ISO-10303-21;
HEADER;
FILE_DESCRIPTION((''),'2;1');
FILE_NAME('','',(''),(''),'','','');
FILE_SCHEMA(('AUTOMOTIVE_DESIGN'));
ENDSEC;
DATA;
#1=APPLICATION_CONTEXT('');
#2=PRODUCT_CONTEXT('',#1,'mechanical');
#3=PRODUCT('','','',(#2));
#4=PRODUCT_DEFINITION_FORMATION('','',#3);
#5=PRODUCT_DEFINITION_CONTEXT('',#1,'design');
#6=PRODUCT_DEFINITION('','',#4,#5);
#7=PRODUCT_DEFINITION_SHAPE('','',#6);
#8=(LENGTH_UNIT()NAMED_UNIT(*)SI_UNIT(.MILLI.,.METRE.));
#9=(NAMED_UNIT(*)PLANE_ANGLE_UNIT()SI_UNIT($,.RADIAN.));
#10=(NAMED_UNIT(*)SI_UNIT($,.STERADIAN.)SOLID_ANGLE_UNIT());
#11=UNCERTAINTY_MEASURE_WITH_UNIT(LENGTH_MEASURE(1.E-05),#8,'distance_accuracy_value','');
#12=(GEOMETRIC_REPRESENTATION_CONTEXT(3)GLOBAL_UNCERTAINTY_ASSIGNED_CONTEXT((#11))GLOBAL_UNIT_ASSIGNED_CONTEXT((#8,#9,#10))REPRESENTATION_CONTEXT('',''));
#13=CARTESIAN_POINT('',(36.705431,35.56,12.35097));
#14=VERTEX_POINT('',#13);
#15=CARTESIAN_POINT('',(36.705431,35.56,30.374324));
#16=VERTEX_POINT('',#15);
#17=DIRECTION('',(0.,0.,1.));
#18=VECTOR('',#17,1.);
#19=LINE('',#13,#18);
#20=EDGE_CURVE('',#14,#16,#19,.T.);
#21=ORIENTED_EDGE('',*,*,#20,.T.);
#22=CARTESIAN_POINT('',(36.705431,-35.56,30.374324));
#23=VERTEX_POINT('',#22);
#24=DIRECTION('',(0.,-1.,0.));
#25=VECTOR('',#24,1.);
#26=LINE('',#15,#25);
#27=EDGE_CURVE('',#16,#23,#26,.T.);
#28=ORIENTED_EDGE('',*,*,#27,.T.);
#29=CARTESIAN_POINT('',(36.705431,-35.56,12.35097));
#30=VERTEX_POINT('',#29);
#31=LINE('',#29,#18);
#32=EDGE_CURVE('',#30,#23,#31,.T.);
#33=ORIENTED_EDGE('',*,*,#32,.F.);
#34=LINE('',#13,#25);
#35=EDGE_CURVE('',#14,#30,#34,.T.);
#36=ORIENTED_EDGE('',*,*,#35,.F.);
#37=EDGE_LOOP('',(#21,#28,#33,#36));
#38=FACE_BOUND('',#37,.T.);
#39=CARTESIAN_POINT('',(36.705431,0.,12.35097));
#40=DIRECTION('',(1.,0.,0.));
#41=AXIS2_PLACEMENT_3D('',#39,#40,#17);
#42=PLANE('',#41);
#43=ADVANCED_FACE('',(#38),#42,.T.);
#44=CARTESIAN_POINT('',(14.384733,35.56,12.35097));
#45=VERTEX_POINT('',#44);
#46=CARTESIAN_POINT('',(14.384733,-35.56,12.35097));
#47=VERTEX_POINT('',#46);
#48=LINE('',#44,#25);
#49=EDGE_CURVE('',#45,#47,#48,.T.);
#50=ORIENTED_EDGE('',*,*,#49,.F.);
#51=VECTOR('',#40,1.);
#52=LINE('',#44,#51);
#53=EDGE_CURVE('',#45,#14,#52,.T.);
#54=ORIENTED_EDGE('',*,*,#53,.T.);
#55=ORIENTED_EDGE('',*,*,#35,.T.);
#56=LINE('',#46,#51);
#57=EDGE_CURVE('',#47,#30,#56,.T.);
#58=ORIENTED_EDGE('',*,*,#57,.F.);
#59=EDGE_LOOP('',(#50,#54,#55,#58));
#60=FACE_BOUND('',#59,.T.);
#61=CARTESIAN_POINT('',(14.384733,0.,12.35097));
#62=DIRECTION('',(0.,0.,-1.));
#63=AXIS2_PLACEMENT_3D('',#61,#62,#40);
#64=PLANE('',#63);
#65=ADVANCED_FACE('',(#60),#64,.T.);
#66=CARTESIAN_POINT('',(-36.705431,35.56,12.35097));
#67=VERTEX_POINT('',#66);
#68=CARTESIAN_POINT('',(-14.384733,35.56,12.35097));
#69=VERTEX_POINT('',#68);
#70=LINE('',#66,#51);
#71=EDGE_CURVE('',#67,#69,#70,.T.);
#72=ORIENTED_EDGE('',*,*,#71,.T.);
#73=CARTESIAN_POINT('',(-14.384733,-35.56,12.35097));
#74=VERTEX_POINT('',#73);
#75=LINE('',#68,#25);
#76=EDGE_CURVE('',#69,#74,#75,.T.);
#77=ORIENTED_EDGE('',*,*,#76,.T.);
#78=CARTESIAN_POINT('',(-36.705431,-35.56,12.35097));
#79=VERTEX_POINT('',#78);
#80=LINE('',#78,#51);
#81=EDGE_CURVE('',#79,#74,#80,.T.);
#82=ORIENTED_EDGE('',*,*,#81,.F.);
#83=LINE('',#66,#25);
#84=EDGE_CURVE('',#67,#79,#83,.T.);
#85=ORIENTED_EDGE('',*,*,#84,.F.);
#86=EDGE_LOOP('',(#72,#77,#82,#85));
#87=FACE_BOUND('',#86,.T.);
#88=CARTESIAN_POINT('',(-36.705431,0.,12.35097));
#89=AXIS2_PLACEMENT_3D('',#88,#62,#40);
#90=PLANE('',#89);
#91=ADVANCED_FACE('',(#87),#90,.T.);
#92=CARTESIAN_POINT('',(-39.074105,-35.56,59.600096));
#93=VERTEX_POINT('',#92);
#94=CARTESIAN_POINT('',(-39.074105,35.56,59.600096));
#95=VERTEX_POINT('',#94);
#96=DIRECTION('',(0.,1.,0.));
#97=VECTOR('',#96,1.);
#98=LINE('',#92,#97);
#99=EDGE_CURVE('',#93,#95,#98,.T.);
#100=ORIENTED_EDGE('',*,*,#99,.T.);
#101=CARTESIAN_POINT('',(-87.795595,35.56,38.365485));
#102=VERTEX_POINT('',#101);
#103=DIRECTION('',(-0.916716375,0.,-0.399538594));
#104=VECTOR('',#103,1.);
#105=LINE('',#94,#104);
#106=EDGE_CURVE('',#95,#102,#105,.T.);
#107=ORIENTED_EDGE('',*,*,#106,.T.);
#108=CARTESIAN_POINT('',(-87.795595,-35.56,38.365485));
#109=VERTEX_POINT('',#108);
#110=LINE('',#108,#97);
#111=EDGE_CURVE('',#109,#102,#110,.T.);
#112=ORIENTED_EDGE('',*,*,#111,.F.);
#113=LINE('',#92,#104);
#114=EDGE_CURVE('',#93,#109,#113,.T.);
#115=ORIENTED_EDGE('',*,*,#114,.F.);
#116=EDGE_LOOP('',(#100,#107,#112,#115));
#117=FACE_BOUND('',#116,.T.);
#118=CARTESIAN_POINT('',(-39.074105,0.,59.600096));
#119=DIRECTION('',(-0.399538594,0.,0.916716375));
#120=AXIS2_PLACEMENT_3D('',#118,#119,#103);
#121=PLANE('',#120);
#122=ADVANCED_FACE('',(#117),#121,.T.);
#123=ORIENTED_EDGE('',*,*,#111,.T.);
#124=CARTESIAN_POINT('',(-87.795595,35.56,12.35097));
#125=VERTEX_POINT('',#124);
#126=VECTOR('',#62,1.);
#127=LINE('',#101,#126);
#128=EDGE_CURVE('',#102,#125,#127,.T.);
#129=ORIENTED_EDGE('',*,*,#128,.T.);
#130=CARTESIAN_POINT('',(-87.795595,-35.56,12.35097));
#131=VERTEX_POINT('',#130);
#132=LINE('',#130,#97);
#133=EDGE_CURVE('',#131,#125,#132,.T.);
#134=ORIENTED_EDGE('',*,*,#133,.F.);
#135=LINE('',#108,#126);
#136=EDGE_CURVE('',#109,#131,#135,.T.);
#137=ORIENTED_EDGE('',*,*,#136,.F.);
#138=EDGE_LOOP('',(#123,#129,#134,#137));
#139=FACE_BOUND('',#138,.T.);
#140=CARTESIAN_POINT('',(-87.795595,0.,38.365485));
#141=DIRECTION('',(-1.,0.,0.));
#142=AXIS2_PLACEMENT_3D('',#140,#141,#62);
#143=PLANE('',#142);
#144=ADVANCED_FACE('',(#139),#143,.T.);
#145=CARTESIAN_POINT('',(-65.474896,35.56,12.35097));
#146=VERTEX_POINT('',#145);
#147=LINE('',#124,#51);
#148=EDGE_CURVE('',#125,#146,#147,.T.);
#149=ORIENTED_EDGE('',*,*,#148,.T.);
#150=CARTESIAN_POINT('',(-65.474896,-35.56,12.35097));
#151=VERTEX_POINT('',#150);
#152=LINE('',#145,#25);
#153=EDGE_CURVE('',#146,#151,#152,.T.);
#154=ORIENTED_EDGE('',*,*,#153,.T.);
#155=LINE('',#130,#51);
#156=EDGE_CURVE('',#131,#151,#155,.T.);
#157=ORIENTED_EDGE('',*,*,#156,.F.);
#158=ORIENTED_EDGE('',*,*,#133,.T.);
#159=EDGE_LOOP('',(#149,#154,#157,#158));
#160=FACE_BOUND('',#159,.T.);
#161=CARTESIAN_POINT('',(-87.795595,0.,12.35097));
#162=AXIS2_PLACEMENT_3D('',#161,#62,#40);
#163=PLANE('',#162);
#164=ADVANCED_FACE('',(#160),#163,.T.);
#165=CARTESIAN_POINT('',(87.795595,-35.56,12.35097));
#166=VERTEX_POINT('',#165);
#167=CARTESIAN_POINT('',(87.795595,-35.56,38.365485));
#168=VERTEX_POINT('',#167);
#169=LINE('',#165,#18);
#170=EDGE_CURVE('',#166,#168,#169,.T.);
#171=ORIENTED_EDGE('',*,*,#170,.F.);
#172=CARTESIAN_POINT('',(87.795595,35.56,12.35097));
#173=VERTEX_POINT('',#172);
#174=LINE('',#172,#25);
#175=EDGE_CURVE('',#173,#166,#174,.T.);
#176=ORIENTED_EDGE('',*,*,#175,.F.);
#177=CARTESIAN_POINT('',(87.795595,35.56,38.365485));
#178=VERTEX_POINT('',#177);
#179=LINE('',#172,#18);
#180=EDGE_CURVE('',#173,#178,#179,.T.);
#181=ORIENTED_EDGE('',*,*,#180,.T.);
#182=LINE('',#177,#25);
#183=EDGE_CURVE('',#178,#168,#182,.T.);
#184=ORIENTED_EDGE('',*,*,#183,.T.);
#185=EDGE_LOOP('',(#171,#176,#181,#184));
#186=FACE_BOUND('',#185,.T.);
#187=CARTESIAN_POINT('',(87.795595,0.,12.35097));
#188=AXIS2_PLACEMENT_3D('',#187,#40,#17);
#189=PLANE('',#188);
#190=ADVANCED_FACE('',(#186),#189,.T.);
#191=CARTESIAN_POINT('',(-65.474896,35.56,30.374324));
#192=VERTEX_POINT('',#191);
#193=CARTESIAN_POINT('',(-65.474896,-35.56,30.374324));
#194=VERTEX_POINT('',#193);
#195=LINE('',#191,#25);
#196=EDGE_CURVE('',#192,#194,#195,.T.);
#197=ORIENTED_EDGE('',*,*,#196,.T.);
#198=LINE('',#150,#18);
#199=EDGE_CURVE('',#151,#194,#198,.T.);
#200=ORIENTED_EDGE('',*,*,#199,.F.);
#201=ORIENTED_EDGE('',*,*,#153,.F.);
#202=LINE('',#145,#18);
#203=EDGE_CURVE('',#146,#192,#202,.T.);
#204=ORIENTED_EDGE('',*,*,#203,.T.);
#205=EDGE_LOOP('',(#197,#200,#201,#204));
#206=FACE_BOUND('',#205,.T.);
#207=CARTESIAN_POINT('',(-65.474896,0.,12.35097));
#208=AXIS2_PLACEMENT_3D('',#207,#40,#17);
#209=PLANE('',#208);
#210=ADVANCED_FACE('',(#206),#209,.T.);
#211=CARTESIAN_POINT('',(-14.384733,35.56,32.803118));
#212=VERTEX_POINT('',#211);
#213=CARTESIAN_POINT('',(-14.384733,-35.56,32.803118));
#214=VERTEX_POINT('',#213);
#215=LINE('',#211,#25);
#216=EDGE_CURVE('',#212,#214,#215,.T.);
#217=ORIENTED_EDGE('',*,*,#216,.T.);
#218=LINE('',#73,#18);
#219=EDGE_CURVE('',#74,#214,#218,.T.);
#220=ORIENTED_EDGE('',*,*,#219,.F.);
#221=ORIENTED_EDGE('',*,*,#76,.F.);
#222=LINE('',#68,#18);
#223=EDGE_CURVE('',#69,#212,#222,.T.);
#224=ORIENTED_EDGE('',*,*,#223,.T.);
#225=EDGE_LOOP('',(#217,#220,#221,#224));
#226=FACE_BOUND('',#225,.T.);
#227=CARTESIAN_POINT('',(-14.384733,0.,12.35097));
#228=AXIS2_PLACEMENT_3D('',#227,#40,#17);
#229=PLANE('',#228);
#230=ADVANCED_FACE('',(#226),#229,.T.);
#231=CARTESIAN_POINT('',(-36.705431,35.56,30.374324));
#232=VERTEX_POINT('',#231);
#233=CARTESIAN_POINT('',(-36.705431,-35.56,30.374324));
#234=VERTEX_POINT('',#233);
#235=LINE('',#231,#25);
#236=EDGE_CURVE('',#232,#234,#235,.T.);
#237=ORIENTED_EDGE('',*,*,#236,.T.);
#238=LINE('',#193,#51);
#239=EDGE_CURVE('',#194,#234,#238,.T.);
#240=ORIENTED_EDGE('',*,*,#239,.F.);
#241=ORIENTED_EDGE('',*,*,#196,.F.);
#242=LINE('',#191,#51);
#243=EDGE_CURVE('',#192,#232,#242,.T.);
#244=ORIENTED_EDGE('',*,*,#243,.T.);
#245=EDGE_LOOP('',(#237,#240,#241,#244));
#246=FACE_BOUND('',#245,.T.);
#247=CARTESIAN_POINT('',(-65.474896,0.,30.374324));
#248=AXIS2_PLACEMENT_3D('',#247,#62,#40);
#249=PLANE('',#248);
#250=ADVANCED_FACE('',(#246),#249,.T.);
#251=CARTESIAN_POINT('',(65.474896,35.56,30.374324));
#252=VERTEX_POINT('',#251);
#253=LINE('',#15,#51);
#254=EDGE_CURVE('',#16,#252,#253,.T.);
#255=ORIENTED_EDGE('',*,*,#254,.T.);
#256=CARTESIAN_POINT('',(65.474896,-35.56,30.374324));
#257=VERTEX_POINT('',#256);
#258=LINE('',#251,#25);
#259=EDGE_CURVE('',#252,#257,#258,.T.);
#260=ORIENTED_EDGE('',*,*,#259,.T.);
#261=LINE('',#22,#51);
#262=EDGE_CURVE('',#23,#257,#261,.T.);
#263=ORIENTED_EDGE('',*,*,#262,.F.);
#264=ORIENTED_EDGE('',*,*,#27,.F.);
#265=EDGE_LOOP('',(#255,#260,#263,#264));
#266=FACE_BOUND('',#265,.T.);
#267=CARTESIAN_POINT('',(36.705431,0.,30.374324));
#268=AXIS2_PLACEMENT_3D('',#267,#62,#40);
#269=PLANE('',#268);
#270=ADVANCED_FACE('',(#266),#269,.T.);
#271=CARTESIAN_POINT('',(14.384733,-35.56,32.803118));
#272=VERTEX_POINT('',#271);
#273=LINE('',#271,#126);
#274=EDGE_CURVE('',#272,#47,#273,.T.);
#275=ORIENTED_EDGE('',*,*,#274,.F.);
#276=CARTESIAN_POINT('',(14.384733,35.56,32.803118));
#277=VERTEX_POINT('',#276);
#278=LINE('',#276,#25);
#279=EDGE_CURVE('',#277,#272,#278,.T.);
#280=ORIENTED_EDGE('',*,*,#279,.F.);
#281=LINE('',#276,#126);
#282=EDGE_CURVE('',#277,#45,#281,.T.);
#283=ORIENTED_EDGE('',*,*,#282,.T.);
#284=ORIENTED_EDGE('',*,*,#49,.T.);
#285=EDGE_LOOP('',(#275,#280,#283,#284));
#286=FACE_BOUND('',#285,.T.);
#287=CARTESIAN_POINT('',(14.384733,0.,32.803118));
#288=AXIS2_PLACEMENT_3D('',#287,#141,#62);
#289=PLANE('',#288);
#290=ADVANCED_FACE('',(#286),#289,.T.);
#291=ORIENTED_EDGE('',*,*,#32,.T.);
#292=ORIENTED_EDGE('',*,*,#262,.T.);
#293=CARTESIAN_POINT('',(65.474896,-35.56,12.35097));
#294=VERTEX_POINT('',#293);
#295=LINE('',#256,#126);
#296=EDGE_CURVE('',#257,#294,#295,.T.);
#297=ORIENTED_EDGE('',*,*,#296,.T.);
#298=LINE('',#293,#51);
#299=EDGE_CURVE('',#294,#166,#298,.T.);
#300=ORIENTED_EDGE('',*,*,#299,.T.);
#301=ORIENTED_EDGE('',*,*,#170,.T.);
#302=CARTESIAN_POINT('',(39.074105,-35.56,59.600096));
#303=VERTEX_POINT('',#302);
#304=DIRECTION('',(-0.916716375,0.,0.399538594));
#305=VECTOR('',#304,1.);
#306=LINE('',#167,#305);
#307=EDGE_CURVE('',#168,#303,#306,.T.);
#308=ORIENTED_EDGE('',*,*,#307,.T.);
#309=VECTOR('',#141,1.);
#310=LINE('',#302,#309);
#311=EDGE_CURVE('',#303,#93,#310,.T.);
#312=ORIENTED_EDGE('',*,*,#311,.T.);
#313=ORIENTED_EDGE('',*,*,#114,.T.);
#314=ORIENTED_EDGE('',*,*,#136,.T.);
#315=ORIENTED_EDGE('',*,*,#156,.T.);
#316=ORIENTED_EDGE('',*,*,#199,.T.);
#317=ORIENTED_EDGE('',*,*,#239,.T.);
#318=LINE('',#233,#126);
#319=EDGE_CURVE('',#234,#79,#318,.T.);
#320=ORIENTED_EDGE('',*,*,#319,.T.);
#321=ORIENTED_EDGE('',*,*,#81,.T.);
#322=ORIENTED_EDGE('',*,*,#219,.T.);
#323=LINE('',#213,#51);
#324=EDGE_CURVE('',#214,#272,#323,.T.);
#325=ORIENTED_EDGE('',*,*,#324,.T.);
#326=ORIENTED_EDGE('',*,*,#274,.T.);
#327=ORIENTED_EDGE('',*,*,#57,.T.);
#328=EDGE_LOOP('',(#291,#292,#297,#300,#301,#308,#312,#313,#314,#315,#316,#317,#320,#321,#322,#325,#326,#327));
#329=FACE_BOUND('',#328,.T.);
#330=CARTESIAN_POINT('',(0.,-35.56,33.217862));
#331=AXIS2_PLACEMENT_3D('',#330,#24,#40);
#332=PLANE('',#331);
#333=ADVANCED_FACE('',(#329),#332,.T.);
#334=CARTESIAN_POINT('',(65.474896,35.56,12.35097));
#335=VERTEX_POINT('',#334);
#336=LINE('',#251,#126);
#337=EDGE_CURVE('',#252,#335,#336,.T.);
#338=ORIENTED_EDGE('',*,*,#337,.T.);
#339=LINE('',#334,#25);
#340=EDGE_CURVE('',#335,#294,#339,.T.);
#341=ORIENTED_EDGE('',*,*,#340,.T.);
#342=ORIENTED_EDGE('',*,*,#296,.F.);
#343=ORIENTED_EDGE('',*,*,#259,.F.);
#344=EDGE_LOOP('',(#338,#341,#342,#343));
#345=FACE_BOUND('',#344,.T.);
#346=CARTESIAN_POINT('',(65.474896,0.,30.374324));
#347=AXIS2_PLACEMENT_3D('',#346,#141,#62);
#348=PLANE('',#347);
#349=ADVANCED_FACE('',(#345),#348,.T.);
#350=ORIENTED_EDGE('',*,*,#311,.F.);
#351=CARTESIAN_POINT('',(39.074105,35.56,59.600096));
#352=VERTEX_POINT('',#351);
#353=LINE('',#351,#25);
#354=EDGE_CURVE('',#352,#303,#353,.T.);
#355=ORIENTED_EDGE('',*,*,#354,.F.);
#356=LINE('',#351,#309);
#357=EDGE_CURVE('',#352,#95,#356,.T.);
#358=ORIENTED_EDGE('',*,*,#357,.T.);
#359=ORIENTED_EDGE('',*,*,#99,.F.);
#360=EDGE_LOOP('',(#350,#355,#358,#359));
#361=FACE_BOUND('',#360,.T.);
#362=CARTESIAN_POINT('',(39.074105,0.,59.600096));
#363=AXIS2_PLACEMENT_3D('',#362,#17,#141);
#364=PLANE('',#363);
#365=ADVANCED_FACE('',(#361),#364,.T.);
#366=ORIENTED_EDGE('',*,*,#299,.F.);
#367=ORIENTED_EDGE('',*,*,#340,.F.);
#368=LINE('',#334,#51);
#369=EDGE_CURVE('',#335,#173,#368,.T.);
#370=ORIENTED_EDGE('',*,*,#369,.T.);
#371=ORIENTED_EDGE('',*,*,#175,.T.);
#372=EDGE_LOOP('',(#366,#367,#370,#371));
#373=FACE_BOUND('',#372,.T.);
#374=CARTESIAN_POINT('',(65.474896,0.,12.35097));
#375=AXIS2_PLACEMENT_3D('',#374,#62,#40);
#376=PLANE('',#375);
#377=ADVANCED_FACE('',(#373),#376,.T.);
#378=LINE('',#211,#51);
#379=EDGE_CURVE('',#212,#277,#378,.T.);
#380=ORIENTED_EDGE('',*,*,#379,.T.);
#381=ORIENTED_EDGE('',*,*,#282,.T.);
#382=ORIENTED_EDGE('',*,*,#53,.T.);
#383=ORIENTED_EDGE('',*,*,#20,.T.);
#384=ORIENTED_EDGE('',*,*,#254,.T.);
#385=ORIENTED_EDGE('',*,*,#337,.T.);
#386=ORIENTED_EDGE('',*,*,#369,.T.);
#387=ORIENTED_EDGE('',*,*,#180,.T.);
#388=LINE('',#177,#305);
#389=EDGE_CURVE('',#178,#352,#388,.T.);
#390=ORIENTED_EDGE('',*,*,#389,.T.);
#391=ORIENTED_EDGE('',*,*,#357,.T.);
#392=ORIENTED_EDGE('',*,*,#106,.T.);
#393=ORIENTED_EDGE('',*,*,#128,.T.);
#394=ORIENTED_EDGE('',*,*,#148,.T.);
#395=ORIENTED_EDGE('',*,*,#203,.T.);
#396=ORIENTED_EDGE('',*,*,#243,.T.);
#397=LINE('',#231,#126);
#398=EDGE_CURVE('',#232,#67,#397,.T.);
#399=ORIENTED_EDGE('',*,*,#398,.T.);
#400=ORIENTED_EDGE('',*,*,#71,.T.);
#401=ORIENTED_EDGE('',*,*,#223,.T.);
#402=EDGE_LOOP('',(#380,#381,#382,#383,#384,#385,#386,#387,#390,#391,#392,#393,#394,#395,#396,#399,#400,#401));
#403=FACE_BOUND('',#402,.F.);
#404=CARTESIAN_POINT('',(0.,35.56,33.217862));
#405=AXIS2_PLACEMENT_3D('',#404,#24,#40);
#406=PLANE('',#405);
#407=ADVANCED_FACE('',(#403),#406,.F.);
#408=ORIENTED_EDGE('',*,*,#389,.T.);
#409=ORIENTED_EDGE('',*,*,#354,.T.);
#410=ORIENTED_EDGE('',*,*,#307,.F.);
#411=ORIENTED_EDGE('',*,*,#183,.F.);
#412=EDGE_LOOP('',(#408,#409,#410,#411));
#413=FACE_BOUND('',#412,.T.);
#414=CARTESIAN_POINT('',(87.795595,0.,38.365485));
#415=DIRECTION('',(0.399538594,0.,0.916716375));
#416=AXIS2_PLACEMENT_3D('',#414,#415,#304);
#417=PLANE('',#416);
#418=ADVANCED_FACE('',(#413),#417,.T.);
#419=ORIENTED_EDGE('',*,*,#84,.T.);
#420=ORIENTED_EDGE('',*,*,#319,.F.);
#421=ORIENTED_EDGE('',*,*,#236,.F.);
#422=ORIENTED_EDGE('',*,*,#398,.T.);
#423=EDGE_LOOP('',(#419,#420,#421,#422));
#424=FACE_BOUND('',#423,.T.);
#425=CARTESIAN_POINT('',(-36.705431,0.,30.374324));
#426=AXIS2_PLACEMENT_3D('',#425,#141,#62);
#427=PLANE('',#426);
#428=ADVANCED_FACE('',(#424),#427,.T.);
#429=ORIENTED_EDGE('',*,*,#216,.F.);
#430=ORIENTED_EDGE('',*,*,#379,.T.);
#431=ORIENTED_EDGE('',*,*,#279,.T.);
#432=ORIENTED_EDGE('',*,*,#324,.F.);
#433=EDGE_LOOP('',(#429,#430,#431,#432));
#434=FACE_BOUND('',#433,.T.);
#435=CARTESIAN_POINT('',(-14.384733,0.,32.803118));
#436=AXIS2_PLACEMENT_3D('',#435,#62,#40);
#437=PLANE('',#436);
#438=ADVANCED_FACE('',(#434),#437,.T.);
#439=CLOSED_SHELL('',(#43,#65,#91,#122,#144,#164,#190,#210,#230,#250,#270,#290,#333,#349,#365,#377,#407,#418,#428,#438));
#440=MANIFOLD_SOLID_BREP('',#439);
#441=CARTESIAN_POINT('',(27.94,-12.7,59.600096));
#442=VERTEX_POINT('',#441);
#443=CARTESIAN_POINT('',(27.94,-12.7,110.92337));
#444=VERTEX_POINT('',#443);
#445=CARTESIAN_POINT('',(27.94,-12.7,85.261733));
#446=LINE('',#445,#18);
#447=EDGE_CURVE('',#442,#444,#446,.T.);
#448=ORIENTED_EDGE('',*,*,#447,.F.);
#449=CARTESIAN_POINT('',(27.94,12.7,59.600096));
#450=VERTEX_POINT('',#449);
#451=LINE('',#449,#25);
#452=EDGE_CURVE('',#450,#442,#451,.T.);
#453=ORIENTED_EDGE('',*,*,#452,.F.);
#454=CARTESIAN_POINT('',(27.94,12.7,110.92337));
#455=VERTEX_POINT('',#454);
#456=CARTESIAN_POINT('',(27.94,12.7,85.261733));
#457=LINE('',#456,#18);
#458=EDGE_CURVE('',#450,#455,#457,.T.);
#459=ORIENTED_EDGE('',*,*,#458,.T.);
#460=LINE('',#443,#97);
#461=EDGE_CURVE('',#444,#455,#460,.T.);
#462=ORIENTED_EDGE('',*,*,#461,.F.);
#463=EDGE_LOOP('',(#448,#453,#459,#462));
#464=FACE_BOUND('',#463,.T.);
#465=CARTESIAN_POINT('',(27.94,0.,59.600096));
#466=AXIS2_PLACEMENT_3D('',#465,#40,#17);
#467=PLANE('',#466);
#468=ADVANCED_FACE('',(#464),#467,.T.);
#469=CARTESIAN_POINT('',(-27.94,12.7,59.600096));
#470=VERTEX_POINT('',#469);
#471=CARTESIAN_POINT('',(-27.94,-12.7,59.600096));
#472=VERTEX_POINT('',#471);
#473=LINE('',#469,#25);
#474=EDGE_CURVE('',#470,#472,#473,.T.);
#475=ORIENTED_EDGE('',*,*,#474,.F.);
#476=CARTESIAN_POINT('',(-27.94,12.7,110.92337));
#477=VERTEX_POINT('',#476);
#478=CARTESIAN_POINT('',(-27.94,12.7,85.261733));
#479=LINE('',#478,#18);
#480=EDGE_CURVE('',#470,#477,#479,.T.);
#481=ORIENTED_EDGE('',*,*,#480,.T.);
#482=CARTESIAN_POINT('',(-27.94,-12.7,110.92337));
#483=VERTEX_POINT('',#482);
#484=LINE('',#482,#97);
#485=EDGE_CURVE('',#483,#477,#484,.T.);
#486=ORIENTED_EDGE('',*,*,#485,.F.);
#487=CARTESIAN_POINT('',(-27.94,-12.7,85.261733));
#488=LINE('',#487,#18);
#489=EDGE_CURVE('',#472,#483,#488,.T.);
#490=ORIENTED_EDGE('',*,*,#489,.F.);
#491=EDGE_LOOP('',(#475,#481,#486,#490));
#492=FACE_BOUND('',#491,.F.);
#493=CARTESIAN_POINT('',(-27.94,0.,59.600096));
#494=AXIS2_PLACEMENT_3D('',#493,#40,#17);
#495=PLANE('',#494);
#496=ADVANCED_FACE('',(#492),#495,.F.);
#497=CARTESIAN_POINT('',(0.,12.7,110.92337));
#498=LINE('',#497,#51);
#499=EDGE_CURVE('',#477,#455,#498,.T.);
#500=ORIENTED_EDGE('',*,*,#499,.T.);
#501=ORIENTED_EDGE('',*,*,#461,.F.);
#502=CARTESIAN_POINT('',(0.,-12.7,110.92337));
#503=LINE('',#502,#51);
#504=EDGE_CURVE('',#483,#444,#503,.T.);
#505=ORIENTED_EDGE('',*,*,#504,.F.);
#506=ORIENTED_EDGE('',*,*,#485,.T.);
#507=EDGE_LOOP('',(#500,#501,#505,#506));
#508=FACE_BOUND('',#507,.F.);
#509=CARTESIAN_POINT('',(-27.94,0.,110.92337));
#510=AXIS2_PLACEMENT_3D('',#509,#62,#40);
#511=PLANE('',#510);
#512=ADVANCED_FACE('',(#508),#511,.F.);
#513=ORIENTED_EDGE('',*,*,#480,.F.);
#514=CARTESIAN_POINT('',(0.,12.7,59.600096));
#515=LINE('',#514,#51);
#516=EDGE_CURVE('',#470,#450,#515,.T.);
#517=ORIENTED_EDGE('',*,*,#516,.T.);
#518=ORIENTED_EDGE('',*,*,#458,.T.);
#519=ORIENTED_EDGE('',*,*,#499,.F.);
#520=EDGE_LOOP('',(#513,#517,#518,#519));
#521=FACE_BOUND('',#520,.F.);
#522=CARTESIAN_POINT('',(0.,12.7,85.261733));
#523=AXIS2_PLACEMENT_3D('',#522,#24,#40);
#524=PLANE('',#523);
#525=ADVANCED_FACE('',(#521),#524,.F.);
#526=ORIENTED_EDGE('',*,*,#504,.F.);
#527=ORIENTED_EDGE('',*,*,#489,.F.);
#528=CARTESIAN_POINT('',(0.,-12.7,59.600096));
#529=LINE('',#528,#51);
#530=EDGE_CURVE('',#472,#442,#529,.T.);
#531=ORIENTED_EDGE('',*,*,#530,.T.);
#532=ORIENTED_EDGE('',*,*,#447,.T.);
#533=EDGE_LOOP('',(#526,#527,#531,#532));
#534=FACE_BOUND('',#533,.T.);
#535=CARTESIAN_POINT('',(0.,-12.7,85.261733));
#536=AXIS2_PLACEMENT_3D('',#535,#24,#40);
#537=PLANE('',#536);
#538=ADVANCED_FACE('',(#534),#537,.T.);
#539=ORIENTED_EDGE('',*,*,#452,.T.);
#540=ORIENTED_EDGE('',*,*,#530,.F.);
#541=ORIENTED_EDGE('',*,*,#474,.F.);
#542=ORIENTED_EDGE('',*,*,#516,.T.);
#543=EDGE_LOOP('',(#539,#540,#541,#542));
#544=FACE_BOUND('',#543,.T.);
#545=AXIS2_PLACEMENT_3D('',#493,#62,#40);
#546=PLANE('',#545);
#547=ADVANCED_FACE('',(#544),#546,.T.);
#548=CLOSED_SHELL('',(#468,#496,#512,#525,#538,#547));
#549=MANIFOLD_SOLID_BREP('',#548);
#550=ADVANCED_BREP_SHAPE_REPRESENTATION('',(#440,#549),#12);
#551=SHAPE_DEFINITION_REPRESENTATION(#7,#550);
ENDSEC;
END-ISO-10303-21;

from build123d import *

# Parameters (mm, degrees)
F1_DEPTH = 35.56
F2_W     = 55.88
F2_H     = 51.323274
F3_DEPTH = 12.7


with BuildPart() as f1:
    # F0 (on Front) → F1 (new body, symmetric)
    with BuildSketch(Plane.XZ):
        Polygon((-87.795595, 12.35097), (-65.474896, 12.35097), (-65.474896, 30.374324), (-36.705431, 30.374324), (-36.705431, 12.35097), (-14.384733, 12.35097), (-14.384733, 32.803118), (14.384733, 32.803118), (14.384733, 12.35097), (36.705431, 12.35097), (36.705431, 30.374324), (65.474896, 30.374324), (65.474896, 12.35097), (87.795595, 12.35097), (87.795595, 38.365485), (39.074105, 59.600096), (0, 59.600096), (-39.074105, 59.600096), (-87.795595, 38.365485), align=None)
    extrude(amount=F1_DEPTH, both=True)


with BuildPart() as f3:
    # F2 (on Front) → F3 (new body, symmetric)
    with BuildSketch(Plane.XZ):
        with Locations((0, 85.261733)):
            Rectangle(F2_W, F2_H)
    extrude(amount=F3_DEPTH, both=True)


solid = Compound([f1.part, f3.part])
